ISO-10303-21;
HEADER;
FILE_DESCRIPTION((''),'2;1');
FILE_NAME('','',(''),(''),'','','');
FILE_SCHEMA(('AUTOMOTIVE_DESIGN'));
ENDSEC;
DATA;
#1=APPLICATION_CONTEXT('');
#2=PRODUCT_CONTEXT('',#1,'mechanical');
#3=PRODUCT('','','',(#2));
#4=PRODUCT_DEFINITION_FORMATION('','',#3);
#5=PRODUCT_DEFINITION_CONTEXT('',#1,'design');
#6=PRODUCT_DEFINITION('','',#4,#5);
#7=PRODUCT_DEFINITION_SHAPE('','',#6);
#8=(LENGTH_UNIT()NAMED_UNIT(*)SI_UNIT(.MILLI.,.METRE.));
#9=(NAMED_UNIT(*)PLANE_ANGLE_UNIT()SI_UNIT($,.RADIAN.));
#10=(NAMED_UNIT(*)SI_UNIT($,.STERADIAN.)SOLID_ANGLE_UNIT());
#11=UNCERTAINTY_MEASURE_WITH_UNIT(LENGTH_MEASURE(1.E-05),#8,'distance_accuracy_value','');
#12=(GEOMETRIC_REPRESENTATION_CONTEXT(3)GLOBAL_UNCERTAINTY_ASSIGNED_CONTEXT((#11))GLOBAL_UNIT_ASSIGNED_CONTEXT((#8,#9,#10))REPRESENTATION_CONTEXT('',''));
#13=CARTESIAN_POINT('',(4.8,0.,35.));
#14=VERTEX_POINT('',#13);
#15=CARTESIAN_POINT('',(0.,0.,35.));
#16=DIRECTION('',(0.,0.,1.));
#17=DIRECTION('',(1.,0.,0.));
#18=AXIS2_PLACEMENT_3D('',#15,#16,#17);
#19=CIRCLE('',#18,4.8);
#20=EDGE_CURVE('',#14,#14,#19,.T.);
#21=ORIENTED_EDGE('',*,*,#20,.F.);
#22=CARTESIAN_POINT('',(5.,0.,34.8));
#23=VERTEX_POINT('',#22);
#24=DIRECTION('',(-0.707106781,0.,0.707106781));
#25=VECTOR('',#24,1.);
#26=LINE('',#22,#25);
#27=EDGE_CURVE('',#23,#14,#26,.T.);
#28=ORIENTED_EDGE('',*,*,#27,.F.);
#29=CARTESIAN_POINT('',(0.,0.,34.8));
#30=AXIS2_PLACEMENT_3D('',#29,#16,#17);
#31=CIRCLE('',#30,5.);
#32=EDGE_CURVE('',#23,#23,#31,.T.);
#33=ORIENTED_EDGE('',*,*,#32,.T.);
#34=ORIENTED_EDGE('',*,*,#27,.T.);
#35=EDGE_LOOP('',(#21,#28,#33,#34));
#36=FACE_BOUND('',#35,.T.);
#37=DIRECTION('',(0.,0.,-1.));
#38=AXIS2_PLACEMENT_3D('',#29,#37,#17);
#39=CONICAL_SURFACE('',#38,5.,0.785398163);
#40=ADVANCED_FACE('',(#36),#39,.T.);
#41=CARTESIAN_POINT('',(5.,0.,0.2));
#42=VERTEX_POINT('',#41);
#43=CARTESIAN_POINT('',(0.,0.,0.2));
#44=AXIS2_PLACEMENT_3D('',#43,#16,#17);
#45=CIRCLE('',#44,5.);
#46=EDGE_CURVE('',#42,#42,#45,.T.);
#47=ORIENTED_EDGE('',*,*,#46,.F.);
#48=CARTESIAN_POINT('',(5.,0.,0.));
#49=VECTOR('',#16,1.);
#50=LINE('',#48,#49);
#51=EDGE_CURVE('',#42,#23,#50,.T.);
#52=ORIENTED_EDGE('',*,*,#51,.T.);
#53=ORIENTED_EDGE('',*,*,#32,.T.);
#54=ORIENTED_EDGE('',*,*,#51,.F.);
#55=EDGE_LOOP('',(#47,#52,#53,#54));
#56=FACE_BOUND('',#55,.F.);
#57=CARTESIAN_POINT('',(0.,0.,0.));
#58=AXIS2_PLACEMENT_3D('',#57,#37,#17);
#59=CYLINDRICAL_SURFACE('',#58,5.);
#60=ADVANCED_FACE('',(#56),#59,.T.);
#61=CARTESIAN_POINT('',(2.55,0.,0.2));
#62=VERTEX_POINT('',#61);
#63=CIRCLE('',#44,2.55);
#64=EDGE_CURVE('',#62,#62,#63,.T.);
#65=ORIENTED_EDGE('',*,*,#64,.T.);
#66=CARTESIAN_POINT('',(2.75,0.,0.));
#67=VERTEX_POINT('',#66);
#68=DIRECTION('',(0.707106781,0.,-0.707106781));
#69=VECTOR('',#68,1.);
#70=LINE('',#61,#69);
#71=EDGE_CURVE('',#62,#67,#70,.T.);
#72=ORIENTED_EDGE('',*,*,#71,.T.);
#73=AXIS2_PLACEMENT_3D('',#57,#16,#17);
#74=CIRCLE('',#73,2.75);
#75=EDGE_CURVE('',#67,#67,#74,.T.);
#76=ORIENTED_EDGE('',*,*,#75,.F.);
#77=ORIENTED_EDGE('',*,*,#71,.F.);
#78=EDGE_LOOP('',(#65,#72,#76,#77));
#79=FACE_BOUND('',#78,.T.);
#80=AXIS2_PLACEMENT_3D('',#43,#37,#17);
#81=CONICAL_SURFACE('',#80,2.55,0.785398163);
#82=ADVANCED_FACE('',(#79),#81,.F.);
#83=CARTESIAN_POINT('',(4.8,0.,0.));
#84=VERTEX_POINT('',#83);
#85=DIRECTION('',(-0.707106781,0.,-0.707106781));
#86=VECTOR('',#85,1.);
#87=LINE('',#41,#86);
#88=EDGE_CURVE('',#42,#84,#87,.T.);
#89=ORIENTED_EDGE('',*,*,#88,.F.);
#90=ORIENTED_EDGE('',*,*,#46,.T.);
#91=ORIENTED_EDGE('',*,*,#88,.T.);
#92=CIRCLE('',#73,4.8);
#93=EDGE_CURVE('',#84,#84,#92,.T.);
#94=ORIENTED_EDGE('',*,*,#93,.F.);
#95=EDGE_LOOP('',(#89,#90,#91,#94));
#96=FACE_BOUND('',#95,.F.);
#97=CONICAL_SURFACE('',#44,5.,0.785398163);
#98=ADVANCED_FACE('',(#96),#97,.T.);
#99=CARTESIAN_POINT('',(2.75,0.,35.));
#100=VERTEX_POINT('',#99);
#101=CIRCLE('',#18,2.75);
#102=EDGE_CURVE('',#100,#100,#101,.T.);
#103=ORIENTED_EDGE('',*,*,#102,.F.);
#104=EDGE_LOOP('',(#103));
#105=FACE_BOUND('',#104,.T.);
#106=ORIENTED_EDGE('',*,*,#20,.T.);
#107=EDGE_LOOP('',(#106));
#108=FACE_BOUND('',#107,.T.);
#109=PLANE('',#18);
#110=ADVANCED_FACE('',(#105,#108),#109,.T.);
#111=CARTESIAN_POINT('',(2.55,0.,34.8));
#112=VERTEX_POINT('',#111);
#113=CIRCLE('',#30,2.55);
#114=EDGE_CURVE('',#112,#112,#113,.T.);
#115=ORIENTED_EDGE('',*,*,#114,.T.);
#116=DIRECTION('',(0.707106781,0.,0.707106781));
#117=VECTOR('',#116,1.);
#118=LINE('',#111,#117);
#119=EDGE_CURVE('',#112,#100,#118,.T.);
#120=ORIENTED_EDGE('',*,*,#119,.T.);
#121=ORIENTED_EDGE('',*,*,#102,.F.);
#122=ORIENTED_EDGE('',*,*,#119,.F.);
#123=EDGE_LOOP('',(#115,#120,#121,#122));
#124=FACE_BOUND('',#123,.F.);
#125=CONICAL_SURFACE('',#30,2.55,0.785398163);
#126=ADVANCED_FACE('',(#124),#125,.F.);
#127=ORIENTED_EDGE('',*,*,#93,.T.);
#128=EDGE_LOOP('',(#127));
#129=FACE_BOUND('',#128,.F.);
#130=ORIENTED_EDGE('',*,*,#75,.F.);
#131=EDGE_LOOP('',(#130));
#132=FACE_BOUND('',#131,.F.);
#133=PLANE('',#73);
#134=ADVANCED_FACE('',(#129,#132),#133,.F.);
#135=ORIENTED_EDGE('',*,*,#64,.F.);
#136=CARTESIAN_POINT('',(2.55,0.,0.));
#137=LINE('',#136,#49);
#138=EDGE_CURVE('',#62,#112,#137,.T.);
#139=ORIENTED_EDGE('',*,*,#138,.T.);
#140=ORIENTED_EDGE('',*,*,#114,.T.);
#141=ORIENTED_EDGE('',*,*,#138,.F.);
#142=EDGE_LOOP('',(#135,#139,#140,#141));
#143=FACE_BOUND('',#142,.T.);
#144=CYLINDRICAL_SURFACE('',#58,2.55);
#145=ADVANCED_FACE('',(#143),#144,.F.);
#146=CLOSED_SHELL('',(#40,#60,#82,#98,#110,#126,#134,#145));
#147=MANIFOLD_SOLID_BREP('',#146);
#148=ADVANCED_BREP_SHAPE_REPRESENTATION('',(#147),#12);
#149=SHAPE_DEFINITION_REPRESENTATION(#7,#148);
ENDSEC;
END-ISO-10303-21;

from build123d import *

# Parameters (mm, degrees)
SKETCH1_R           = 5
SKETCH1_R_2         = 2.55
BOSS_EXTRUDE1_DEPTH = 35
CHAMFER1_SIZE       = 0.2


with BuildPart() as part:
    # Sketch1 → Boss-Extrude1 (new body)
    with BuildSketch(Plane.XY):
        Circle(SKETCH1_R)
        Circle(SKETCH1_R_2, mode=Mode.SUBTRACT)
    extrude(amount=BOSS_EXTRUDE1_DEPTH)

    # Chamfer1
    chamfer1_edges = [part.edges().sort_by_distance(p)[0] for p in [
        (-5, 0, 0),
        (-5, 0, 35),
        (-2.55, 0, 0),
        (-2.55, 0, 35),
    ]]
    chamfer(chamfer1_edges, length=CHAMFER1_SIZE)


solid = part.part
